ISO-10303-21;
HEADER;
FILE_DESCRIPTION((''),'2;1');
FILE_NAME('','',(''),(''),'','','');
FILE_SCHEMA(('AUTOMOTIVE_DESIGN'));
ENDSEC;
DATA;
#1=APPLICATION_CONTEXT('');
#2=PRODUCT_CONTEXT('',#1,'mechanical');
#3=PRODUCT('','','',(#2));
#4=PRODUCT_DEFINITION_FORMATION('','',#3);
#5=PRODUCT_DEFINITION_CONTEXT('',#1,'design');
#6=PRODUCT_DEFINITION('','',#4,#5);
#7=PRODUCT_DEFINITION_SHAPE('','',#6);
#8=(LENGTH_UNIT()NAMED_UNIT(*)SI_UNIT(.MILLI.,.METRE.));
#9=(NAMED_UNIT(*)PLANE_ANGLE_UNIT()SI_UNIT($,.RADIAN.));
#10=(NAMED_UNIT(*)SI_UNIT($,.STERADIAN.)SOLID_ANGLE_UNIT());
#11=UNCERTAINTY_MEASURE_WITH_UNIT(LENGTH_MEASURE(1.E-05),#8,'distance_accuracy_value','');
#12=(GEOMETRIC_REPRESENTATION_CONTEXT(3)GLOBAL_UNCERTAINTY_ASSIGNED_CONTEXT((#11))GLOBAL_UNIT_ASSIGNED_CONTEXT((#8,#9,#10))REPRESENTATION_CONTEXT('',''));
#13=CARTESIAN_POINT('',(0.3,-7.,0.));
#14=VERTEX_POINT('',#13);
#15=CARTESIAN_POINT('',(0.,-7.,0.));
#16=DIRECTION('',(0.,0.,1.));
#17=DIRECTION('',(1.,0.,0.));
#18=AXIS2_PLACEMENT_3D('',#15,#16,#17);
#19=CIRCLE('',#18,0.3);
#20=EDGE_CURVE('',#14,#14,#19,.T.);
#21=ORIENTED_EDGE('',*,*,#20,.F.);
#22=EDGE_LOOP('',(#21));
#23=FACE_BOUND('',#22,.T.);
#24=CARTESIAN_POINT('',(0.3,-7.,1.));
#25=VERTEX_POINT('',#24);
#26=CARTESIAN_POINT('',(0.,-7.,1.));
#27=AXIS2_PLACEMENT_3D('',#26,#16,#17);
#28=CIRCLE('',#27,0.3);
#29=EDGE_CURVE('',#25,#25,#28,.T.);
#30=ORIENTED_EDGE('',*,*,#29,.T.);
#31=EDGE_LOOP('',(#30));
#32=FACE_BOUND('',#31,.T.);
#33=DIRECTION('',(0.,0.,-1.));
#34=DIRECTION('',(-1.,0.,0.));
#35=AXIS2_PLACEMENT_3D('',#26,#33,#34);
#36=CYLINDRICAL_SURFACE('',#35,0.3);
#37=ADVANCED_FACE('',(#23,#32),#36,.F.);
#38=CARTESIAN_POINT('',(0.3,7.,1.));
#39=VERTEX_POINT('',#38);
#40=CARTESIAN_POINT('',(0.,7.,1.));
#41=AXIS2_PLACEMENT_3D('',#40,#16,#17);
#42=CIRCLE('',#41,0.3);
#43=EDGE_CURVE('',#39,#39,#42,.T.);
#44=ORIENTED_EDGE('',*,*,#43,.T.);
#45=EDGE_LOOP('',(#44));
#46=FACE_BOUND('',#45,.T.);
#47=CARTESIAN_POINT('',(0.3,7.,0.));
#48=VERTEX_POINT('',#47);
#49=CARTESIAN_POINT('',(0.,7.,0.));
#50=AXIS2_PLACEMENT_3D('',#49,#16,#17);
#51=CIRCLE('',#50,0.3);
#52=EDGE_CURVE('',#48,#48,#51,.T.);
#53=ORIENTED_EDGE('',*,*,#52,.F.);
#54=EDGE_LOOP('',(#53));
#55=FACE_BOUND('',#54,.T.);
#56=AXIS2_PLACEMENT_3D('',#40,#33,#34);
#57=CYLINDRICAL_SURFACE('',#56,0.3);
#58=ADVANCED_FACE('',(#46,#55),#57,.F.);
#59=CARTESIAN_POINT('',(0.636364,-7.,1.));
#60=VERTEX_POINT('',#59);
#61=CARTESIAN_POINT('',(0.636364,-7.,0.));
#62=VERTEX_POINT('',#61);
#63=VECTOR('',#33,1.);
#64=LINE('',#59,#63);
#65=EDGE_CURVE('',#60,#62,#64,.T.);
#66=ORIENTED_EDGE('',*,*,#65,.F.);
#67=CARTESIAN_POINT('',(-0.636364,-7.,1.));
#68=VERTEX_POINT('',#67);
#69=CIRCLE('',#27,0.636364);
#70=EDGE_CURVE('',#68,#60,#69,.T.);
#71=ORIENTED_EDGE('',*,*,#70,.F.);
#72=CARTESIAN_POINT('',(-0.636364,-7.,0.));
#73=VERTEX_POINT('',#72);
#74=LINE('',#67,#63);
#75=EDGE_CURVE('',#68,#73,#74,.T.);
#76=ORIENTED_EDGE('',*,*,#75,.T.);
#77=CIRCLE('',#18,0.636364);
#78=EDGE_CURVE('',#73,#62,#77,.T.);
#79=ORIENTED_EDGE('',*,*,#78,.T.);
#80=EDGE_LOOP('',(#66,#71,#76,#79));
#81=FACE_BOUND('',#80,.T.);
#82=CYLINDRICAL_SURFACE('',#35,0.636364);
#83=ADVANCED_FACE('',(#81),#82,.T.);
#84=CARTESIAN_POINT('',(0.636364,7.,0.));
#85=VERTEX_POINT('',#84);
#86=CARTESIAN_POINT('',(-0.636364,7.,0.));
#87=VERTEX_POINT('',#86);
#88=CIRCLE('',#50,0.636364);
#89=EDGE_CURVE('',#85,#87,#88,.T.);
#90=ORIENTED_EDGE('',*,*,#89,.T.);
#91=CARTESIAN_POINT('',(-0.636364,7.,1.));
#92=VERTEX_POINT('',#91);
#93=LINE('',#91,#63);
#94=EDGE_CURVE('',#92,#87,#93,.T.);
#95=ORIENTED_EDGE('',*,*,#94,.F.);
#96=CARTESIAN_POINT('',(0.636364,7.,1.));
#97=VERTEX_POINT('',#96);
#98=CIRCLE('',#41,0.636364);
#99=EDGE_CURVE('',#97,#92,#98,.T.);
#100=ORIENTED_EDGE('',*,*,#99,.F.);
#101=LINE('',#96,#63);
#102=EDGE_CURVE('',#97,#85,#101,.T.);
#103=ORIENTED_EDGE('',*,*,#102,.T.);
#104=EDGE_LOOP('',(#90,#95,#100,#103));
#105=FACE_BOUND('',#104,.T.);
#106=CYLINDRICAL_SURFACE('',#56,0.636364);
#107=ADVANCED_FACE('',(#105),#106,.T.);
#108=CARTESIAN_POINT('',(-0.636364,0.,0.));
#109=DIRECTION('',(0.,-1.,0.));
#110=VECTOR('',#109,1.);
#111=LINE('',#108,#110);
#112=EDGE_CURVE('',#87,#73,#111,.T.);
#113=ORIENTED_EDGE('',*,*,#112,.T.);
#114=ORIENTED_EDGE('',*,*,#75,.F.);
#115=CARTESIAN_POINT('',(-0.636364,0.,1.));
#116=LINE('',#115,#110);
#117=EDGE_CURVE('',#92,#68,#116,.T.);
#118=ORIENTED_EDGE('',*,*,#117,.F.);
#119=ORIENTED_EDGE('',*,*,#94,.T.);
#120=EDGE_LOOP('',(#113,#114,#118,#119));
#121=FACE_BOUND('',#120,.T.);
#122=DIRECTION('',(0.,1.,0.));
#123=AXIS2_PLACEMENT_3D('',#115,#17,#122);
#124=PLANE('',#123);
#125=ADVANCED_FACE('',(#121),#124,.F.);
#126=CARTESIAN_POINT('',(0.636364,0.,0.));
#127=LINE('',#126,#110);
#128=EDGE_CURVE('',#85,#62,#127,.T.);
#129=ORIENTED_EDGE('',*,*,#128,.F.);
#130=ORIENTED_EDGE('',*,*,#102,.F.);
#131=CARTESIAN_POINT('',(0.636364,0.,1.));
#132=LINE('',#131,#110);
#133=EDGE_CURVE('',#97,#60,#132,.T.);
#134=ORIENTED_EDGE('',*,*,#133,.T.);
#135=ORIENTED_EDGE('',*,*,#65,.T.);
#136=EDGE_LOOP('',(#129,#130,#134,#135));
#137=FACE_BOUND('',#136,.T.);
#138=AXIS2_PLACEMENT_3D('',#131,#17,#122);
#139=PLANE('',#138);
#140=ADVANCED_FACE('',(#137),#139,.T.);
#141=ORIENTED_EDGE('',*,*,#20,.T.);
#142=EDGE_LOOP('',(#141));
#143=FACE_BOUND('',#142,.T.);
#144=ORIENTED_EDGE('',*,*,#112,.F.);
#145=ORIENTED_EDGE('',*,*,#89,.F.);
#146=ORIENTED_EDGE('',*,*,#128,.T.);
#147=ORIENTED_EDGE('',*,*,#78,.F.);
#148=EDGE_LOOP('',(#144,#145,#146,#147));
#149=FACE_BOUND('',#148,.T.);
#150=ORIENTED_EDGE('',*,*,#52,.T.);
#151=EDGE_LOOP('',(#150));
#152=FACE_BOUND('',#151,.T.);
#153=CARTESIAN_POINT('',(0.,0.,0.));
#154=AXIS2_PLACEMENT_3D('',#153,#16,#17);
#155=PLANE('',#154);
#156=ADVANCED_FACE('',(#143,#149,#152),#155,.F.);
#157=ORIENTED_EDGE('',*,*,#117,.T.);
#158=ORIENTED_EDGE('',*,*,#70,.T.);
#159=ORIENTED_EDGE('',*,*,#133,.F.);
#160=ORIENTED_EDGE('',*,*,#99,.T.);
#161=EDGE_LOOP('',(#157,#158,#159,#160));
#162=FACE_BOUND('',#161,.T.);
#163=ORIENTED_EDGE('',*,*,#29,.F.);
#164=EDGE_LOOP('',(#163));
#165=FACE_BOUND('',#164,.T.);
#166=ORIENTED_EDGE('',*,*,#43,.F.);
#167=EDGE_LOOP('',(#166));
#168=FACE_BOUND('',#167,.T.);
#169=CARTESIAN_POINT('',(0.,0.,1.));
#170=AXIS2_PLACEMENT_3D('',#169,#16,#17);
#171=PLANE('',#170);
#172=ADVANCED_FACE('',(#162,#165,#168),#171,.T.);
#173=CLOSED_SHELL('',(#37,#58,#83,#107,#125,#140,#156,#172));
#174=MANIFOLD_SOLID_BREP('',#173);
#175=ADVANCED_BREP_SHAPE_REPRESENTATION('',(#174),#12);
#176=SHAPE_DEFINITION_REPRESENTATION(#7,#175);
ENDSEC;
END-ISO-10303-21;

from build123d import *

# Parameters (mm, degrees)
EXTRUDE_3_DEPTH = 1


with BuildPart() as part:
    # 草图1 → 凸台-拉伸3 (new body)
    with BuildSketch(Plane.XY):
        with BuildLine():
            ThreePointArc((-0.3, 7), (0, 7.3), (0.3, 7))
            Line((0.3, 7), (0.636363636, 7))
            ThreePointArc((0.636363636, 7), (0, 7.636363636), (-0.636363636, 7))
            Line((-0.636363636, 7), (-0.3, 7))
        make_face()
        with BuildLine():
            Line((0.636363636, 7), (0.3, 7))
            ThreePointArc((0.3, 7), (0, 6.7), (-0.3, 7))
            Line((-0.3, 7), (-0.636363636, 7))
            ThreePointArc((-0.636363636, 7), (0, 6.363636364), (0.636363636, 7))
        make_face()
        with BuildLine():
            Line((0.636363636, -7), (0.636363636, 7))
            ThreePointArc((0.636363636, 7), (0, 6.363636364), (-0.636363636, 7))
            Line((-0.636363636, 7), (-0.636363636, -7))
            ThreePointArc((-0.636363636, -7), (0, -6.363636364), (0.636363636, -7))
        make_face()
        with BuildLine():
            ThreePointArc((-0.636363636, -7), (0, -7.636363636), (0.636363636, -7))
            Line((0.636363636, -7), (0.3, -7))
            ThreePointArc((0.3, -7), (0, -7.3), (-0.3, -7))
            Line((-0.3, -7), (-0.636363636, -7))
        make_face()
        with BuildLine():
            Line((0.3, -7), (0.636363636, -7))
            ThreePointArc((0.636363636, -7), (0, -6.363636364), (-0.636363636, -7))
            Line((-0.636363636, -7), (-0.3, -7))
            ThreePointArc((-0.3, -7), (0, -6.7), (0.3, -7))
        make_face()
    extrude(amount=EXTRUDE_3_DEPTH)


solid = part.part
